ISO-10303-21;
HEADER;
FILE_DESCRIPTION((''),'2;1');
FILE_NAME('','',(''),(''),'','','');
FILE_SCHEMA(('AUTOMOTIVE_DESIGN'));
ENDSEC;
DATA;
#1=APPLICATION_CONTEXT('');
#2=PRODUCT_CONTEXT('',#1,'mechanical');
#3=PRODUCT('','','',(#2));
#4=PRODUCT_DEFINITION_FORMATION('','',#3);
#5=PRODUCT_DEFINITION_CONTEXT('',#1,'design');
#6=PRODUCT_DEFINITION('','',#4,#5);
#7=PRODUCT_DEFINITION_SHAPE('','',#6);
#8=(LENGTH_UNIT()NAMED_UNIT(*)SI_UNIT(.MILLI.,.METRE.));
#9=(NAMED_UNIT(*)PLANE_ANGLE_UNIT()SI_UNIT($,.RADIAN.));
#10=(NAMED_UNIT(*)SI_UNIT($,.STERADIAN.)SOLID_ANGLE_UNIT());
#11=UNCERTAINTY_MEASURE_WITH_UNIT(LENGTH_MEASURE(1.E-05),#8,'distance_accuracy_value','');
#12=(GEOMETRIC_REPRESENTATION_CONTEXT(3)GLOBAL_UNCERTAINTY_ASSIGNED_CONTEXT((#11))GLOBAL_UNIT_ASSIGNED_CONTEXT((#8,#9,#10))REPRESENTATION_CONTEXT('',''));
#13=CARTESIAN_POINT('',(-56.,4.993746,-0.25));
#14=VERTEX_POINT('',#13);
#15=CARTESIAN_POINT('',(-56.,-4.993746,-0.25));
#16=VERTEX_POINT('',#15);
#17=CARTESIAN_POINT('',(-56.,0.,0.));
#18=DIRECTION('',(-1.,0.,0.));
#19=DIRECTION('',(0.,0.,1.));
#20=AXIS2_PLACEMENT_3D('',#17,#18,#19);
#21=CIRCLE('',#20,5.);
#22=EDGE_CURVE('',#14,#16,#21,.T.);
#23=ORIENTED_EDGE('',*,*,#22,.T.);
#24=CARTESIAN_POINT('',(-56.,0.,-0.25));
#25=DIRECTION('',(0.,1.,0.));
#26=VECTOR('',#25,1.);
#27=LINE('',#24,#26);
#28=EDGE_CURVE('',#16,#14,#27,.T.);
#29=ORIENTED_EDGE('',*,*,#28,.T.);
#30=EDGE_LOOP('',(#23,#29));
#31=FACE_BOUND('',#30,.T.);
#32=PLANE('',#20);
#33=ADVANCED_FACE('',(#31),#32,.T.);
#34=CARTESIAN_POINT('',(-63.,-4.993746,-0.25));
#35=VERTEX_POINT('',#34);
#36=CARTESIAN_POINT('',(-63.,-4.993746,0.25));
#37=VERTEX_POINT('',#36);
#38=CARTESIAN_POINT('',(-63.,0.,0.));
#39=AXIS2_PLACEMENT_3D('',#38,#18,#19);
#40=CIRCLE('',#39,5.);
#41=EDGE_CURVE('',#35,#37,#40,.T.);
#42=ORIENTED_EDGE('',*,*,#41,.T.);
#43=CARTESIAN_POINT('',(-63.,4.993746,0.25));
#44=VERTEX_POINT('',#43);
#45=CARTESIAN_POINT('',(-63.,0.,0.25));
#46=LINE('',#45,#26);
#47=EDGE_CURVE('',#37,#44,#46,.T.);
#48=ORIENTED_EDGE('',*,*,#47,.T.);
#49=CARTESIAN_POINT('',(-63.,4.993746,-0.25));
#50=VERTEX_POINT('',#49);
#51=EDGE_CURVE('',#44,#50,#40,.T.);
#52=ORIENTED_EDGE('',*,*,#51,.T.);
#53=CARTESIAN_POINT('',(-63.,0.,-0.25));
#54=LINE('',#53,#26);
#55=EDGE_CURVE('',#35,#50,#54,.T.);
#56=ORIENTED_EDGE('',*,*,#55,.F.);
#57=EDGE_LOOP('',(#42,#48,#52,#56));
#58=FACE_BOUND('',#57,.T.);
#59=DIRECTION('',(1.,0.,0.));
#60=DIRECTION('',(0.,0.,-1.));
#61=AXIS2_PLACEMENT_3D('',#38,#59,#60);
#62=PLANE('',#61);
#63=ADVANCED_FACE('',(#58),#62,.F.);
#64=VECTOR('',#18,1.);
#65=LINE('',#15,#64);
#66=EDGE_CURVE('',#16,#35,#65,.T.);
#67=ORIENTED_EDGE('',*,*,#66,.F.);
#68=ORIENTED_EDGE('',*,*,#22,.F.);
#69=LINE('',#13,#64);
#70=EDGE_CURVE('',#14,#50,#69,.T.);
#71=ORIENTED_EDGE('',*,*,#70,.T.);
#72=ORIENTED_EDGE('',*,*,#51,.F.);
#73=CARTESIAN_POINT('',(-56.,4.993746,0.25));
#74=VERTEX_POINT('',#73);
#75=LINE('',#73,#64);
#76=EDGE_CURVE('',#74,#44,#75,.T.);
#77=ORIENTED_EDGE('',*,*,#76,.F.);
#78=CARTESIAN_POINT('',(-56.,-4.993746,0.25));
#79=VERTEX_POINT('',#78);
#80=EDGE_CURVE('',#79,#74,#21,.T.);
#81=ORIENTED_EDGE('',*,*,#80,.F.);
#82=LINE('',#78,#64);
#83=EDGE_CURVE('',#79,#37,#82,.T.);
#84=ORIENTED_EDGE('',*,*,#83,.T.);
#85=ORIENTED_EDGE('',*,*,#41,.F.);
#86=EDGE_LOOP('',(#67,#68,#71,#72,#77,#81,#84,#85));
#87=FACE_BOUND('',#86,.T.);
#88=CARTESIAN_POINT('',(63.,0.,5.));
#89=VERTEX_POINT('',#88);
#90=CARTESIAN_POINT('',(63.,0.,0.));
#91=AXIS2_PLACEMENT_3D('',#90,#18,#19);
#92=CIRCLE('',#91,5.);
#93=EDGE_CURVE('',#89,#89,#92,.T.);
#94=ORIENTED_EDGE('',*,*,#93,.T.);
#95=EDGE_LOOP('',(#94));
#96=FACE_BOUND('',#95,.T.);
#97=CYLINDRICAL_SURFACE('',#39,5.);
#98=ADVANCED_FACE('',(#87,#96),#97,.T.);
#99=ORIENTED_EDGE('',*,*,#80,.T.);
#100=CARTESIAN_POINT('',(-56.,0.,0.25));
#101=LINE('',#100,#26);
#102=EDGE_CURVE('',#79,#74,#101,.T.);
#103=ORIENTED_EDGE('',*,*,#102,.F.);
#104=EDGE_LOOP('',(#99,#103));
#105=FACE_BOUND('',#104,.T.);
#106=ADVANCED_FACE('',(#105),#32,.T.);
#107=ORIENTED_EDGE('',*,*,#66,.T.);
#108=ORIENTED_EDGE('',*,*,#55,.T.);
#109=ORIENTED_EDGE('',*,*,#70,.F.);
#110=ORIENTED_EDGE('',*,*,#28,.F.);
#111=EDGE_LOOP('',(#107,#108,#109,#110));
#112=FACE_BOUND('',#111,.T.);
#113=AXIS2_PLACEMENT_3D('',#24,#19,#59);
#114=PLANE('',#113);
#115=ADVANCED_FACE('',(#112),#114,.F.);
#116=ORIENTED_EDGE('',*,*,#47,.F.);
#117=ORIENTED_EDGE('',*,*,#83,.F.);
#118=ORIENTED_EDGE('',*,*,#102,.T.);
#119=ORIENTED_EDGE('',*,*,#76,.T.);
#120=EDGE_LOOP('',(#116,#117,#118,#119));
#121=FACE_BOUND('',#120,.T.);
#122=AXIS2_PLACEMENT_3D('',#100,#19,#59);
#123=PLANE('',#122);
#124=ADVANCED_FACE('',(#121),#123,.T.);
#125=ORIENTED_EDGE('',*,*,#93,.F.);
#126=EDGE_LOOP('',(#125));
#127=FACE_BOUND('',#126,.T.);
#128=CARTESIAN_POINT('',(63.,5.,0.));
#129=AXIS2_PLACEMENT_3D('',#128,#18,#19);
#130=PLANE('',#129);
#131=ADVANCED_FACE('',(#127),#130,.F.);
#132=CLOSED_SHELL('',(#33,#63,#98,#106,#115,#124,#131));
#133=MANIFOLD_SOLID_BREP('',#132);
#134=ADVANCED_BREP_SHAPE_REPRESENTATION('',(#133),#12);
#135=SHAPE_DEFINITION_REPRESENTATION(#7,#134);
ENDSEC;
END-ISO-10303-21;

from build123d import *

# Parameters (mm, degrees)
SKETCH1_W                   = 126
SKETCH1_H                   = 5
ENCAIXE_START               = -7
ENCAIXE_POTENCI_METRO_DEPTH = 7


with BuildPart() as part:
    # Sketch1 → Blank (revolve)
    with BuildSketch(Plane.XY, mode=Mode.PRIVATE) as blank_sk:
        with Locations((0, 2.5)):
            Rectangle(SKETCH1_W, SKETCH1_H)
    revolve(blank_sk.sketch.rotate(Axis((-63, 0, 0), (1, 0, 0)), 90), axis=Axis((-63, 0, 0), (1, 0, 0)))

    # Sketch2 → Encaixe - Potenciômetro (cut)
    with BuildSketch(Plane.ZY.offset(63).offset(ENCAIXE_START)):
        with BuildLine():
            Line((0.25, 4.993746089), (0.25, -4.993746089))
            ThreePointArc((0.25, -4.993746089), (3.622844187, -3.446012188), (5, 0))
            ThreePointArc((5, 0), (3.622844187, 3.446012188), (0.25, 4.993746089))
        make_face()
        with BuildLine():
            ThreePointArc((-0.25, 4.993746089), (-5, 0), (-0.25, -4.993746089))
            Line((-0.25, -4.993746089), (-0.25, 4.993746089))
        make_face()
    extrude(amount=ENCAIXE_POTENCI_METRO_DEPTH, mode=Mode.SUBTRACT)


solid = part.part
